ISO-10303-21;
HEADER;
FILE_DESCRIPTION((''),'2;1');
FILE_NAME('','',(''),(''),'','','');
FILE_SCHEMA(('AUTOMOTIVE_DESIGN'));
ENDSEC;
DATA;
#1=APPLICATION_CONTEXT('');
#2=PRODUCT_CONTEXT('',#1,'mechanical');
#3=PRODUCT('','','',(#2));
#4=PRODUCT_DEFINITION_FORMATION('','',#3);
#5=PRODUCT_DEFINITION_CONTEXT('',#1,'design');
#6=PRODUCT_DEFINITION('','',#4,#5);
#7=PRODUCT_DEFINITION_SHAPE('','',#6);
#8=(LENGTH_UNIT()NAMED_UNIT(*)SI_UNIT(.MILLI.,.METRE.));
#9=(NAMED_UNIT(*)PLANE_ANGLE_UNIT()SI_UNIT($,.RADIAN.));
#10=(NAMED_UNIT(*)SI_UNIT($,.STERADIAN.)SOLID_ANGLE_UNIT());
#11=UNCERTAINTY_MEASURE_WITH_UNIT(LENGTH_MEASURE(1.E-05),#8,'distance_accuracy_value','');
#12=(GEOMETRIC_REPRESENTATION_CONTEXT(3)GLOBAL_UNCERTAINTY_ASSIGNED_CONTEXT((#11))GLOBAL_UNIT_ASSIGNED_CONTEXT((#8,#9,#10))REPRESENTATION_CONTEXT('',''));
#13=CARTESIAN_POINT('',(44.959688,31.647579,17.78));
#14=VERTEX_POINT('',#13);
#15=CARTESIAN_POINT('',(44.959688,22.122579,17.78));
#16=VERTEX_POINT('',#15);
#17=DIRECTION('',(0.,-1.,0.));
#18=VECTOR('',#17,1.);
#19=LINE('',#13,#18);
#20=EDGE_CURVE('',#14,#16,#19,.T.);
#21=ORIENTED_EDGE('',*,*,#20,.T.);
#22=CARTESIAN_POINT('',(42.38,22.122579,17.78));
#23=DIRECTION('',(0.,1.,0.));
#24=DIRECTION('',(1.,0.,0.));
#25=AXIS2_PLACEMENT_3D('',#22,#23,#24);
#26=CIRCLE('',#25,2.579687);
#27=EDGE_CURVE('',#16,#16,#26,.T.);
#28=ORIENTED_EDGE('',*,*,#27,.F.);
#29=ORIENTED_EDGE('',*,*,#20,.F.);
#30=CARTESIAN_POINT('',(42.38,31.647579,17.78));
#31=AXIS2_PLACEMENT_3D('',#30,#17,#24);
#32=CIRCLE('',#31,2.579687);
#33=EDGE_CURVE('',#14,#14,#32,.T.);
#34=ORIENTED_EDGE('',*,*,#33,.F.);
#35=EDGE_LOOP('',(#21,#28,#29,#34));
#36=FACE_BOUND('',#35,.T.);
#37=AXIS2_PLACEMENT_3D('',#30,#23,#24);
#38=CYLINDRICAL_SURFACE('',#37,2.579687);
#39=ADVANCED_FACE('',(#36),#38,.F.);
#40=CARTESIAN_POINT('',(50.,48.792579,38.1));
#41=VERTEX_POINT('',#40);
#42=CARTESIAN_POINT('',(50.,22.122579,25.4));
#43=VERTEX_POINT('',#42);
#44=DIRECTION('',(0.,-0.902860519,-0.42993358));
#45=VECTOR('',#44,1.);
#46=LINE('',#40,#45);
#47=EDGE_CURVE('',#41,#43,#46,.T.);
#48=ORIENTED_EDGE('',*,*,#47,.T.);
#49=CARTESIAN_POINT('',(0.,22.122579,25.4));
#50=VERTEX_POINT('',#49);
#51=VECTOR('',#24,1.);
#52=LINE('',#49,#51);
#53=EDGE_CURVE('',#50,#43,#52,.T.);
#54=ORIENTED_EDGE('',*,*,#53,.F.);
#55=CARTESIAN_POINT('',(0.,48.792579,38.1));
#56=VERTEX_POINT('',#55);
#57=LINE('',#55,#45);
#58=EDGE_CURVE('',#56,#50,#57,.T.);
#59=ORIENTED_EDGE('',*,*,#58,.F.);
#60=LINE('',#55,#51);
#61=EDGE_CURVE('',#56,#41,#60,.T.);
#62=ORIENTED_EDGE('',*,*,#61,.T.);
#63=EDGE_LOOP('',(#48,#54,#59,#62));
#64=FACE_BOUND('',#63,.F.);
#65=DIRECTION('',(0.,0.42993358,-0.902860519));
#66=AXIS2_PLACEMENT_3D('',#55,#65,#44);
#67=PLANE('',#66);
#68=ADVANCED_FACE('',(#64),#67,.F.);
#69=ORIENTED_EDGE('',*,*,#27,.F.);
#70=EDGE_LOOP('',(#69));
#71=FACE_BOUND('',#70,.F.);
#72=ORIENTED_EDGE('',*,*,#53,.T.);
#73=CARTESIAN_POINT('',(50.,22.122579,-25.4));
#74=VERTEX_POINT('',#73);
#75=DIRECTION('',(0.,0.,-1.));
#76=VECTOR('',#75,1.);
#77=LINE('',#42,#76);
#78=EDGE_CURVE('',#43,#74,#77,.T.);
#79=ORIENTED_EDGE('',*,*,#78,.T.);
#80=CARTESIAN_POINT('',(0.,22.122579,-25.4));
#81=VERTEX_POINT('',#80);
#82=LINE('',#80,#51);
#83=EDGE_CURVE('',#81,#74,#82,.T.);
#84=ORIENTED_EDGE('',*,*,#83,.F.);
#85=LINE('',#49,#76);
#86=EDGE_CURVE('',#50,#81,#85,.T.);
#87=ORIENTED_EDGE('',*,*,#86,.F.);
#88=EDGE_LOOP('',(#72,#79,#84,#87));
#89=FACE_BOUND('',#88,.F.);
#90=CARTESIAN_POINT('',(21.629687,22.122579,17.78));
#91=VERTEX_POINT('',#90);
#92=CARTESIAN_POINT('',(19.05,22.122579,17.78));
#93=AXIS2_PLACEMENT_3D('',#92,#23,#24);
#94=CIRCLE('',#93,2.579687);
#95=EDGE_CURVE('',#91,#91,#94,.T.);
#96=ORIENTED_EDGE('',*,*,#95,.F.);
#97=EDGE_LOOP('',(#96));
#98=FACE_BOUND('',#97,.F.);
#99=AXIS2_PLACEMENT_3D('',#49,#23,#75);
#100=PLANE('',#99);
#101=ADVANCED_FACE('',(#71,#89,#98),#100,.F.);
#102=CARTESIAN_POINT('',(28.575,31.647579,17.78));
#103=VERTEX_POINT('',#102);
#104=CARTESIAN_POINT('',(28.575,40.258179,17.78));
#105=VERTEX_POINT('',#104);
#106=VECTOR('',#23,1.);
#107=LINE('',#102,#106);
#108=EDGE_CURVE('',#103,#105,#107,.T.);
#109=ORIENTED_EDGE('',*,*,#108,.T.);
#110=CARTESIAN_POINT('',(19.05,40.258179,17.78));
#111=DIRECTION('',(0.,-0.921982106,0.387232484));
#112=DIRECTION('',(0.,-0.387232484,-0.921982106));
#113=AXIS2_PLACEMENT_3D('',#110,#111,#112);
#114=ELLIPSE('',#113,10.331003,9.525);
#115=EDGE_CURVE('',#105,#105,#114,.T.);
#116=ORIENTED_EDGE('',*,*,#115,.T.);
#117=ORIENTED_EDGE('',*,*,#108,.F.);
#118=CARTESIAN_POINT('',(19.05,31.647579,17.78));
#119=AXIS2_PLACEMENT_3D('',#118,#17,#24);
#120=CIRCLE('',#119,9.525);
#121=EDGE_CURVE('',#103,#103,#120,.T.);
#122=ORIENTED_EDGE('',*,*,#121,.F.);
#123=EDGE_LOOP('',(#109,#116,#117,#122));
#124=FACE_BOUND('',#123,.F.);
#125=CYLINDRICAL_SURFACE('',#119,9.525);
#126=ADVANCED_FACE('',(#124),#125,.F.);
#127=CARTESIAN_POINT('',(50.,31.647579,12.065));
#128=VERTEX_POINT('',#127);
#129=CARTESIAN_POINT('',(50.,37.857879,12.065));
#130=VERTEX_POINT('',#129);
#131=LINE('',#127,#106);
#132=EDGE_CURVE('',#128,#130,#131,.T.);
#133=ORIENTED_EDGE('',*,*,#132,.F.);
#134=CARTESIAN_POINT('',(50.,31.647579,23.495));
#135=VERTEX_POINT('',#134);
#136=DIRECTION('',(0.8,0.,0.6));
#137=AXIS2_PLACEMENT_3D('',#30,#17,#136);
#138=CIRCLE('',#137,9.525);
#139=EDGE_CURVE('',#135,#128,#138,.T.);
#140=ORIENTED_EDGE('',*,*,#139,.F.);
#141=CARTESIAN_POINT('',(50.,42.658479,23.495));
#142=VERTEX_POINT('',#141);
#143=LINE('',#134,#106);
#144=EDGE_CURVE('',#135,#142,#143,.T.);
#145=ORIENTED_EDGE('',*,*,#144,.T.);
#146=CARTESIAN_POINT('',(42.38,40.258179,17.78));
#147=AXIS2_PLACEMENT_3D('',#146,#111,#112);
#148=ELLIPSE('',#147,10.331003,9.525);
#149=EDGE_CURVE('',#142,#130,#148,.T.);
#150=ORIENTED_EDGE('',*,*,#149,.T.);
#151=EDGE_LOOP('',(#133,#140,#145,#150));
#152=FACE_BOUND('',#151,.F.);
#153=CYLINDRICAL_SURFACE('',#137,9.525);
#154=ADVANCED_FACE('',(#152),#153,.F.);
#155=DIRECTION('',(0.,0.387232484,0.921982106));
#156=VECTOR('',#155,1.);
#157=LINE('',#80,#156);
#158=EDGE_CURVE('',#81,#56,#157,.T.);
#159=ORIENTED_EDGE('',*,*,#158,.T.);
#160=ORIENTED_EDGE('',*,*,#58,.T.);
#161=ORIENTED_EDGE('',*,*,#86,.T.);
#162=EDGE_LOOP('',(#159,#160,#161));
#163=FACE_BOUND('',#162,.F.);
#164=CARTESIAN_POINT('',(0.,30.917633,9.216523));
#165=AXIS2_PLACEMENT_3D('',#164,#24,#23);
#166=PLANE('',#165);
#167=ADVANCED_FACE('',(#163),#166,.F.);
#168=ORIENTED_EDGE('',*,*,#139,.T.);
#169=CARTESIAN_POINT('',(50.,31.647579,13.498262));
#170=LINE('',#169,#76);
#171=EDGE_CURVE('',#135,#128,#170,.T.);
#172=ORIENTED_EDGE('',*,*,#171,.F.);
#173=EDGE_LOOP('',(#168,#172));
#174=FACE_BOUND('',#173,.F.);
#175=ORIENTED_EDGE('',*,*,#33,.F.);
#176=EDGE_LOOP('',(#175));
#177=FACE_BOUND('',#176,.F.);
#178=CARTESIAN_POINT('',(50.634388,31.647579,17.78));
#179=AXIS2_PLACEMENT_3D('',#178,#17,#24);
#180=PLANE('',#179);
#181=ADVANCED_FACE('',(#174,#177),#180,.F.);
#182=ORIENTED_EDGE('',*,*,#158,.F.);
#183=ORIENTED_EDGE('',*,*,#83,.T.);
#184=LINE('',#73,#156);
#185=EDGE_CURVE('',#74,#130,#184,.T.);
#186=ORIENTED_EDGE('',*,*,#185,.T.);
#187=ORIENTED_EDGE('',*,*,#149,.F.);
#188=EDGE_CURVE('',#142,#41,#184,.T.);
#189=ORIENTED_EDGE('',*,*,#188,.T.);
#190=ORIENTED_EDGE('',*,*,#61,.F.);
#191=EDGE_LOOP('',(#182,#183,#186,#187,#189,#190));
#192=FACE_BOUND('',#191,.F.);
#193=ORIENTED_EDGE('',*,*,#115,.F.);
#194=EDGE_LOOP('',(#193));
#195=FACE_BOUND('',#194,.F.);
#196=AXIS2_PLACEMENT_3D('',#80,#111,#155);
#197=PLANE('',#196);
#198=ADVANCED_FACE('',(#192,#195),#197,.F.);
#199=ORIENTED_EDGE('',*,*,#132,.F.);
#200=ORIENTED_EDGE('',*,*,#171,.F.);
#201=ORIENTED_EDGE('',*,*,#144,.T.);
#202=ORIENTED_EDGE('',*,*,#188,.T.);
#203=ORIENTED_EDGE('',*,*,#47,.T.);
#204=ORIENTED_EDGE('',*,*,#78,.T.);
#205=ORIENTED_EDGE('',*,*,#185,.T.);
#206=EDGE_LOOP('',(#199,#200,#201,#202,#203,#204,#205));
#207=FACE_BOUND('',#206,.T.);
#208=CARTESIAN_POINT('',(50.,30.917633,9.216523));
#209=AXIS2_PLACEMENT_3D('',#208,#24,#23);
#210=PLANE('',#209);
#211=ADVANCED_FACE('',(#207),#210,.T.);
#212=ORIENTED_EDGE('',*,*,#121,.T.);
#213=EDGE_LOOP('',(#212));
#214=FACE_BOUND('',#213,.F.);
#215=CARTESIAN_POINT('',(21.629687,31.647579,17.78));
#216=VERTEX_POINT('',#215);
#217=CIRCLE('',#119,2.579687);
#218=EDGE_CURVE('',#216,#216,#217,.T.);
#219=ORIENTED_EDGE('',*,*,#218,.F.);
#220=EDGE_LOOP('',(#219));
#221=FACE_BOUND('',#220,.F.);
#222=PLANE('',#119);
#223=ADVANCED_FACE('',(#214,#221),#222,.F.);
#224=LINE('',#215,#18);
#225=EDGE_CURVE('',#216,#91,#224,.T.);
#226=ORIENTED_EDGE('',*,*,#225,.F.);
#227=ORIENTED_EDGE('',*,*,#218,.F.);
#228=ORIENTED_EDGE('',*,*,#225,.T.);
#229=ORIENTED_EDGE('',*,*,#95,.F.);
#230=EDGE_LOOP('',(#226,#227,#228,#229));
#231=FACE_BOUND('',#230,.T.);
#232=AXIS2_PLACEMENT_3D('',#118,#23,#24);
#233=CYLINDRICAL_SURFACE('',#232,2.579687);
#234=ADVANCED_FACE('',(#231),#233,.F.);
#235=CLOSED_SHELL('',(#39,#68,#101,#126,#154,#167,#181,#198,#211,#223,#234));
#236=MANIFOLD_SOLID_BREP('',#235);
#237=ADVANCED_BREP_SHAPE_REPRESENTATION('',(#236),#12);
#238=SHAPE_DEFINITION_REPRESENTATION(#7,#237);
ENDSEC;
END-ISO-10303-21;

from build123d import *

# Parameters (mm, degrees)
F1_DEPTH      = 50
F3_R          = 2.5796875
F4_DEPTH      = 17.146
F4_DEPTH_BACK = 9.526
F5_R          = 2.5796875
F5_R_2        = 9.525
F6_DEPTH      = 25.4


with BuildPart() as f1:
    # F0 (on Right) → F1 (new body)
    with BuildSketch(Plane.YZ):
        Polygon((22.1225786954, 25.4), (22.1225786954, -25.4), (48.7925786954, 38.1), align=None)
    extrude(amount=F1_DEPTH)

    # F3 (on offset) → F4 (cut, two sides)
    with BuildSketch(Plane.XZ.offset(-31.6475786954)) as f4_sk:
        with Locations((42.38, 17.78)):
            Circle(F3_R)
        with Locations((19.05, 17.78)):
            Circle(F3_R)
    extrude(amount=-F4_DEPTH, mode=Mode.SUBTRACT)
    extrude(f4_sk.sketch, amount=F4_DEPTH_BACK, mode=Mode.SUBTRACT)

    # F5 (on offset) → F6 (cut)
    with BuildSketch(Plane.XZ.offset(-31.6475786954)):
        with BuildLine():
            ThreePointArc((50, 12.065), (51.4162084139, 14.7679305287), (51.905, 17.78))
            ThreePointArc((51.905, 17.78), (51.4162084139, 20.7920694713), (50, 23.495))
            Line((50, 23.495), (50, 12.065))
        make_face()
        with BuildLine():
            Line((50, 12.065), (50, 23.495))
            ThreePointArc((50, 23.495), (32.855, 17.78), (50, 12.065))
        make_face()
        with Locations((42.38, 17.78)):
            Circle(F5_R, mode=Mode.SUBTRACT)
        with Locations((19.05, 17.78)):
            Circle(F5_R_2)
        with Locations((19.05, 17.78)):
            Circle(F5_R, mode=Mode.SUBTRACT)
    extrude(amount=-F6_DEPTH, mode=Mode.SUBTRACT)


solid = f1.part
